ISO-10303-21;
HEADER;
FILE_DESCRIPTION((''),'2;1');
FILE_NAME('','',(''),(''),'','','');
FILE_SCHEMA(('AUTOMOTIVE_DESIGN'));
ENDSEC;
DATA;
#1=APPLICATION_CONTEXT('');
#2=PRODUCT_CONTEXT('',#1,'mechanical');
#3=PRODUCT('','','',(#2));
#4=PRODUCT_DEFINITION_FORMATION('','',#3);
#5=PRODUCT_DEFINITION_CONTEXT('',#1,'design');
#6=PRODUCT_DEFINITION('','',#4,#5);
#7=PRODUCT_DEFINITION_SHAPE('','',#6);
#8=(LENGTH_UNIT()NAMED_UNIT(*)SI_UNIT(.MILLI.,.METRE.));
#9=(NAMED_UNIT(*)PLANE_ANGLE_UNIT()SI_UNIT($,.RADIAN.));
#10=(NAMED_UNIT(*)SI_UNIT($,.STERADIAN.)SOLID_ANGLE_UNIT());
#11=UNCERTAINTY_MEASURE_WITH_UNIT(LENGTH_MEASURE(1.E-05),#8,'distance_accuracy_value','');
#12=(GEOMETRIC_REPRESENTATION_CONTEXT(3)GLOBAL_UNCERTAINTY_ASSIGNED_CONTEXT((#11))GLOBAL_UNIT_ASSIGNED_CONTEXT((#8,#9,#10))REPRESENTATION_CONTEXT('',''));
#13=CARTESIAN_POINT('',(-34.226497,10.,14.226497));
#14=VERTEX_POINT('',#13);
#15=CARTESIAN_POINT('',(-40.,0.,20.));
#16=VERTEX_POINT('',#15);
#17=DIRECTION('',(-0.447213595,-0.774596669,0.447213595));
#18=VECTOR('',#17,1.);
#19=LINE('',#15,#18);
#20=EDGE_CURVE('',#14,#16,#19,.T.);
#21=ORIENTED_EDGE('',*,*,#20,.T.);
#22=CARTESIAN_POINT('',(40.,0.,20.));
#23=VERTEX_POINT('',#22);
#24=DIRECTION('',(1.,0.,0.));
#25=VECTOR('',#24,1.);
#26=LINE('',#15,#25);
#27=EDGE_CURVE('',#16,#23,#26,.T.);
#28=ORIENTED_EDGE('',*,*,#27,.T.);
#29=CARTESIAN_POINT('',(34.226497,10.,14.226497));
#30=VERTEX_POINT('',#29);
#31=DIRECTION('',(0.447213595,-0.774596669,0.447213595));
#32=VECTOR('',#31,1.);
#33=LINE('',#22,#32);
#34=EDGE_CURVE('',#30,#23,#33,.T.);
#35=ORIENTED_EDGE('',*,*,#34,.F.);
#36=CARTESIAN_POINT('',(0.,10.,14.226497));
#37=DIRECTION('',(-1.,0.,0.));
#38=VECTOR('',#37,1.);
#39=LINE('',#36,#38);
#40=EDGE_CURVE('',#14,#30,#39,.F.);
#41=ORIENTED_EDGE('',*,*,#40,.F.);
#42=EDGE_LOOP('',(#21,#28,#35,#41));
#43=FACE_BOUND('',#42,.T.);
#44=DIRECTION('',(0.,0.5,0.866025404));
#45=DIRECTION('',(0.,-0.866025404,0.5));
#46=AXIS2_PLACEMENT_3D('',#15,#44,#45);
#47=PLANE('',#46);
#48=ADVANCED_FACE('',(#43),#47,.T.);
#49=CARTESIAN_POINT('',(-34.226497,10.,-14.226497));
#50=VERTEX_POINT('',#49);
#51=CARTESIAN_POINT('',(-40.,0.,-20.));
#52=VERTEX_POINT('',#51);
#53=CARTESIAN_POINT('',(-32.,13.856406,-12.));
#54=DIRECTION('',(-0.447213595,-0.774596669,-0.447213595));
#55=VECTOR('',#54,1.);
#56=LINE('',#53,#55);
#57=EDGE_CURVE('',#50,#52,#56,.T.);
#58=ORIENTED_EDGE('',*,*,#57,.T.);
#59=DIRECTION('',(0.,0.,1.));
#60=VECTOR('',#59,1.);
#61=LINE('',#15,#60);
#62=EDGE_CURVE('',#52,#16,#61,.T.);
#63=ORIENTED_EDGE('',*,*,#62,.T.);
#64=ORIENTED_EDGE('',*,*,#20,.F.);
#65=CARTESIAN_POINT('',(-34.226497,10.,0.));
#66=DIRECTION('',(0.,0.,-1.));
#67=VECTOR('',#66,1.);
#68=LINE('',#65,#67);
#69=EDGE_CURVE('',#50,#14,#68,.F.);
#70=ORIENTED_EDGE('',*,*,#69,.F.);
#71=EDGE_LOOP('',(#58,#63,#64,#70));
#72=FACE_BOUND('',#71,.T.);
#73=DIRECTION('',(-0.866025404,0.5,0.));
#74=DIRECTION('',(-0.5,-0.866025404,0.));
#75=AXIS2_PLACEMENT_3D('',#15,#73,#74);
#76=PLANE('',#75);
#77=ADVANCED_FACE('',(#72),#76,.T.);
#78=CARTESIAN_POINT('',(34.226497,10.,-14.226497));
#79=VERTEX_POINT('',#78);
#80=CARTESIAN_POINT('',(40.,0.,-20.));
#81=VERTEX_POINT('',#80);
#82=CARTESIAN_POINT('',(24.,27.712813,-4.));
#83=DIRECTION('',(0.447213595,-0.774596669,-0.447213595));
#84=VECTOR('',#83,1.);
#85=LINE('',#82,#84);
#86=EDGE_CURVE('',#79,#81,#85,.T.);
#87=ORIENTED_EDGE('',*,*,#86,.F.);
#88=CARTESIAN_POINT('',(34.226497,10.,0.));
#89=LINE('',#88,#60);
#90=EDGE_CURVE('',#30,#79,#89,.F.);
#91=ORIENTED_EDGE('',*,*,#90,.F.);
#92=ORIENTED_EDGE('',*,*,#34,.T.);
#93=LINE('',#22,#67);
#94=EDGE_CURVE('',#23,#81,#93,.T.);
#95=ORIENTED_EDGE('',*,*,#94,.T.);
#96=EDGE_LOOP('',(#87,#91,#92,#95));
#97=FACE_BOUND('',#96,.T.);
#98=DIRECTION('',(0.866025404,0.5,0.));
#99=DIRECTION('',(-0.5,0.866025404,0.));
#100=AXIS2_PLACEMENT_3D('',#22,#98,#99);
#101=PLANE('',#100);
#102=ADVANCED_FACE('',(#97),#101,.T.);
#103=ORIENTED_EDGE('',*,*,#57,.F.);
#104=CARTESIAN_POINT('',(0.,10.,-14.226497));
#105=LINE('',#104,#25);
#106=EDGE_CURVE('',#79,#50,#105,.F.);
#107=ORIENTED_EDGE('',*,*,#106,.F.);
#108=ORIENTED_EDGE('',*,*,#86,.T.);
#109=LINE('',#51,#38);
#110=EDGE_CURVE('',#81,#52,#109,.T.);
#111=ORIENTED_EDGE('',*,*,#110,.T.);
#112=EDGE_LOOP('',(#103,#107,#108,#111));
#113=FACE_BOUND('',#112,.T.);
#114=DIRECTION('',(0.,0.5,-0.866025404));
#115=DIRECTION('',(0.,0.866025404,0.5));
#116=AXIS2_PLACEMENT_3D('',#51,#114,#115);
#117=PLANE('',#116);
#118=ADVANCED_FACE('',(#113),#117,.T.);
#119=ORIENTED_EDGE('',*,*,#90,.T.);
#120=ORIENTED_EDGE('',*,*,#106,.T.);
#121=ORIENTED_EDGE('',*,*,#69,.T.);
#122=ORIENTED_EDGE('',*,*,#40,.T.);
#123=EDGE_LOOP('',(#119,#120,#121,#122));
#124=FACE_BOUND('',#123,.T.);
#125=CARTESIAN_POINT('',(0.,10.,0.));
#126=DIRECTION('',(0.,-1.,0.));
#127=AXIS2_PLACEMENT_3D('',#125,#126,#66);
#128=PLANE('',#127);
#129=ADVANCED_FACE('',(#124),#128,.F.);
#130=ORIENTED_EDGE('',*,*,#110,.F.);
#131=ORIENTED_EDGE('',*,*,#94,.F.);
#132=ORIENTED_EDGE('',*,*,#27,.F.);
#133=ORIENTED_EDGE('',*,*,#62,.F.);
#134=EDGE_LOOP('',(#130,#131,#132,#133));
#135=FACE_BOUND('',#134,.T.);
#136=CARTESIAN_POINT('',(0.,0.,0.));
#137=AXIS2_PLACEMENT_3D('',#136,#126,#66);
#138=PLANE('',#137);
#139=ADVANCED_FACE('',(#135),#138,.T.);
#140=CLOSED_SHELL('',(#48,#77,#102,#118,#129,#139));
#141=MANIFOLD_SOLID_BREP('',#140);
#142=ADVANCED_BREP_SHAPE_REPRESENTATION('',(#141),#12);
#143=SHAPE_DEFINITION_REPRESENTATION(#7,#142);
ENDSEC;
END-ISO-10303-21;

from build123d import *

# Parameters (mm, degrees)
SKETCH1_W           = 80
SKETCH1_H           = 40
BOSS_EXTRUDE1_DEPTH = 10
BOSS_EXTRUDE1_TAPER = 30


with BuildPart() as part:
    # Sketch1 → Boss-Extrude1 (new body)
    with BuildSketch(Plane(origin=(0, 0, 0), x_dir=(1, 0, 0), z_dir=(0, 1, 0))):
        Rectangle(SKETCH1_W, SKETCH1_H)
    extrude(amount=BOSS_EXTRUDE1_DEPTH, taper=BOSS_EXTRUDE1_TAPER)


solid = part.part
